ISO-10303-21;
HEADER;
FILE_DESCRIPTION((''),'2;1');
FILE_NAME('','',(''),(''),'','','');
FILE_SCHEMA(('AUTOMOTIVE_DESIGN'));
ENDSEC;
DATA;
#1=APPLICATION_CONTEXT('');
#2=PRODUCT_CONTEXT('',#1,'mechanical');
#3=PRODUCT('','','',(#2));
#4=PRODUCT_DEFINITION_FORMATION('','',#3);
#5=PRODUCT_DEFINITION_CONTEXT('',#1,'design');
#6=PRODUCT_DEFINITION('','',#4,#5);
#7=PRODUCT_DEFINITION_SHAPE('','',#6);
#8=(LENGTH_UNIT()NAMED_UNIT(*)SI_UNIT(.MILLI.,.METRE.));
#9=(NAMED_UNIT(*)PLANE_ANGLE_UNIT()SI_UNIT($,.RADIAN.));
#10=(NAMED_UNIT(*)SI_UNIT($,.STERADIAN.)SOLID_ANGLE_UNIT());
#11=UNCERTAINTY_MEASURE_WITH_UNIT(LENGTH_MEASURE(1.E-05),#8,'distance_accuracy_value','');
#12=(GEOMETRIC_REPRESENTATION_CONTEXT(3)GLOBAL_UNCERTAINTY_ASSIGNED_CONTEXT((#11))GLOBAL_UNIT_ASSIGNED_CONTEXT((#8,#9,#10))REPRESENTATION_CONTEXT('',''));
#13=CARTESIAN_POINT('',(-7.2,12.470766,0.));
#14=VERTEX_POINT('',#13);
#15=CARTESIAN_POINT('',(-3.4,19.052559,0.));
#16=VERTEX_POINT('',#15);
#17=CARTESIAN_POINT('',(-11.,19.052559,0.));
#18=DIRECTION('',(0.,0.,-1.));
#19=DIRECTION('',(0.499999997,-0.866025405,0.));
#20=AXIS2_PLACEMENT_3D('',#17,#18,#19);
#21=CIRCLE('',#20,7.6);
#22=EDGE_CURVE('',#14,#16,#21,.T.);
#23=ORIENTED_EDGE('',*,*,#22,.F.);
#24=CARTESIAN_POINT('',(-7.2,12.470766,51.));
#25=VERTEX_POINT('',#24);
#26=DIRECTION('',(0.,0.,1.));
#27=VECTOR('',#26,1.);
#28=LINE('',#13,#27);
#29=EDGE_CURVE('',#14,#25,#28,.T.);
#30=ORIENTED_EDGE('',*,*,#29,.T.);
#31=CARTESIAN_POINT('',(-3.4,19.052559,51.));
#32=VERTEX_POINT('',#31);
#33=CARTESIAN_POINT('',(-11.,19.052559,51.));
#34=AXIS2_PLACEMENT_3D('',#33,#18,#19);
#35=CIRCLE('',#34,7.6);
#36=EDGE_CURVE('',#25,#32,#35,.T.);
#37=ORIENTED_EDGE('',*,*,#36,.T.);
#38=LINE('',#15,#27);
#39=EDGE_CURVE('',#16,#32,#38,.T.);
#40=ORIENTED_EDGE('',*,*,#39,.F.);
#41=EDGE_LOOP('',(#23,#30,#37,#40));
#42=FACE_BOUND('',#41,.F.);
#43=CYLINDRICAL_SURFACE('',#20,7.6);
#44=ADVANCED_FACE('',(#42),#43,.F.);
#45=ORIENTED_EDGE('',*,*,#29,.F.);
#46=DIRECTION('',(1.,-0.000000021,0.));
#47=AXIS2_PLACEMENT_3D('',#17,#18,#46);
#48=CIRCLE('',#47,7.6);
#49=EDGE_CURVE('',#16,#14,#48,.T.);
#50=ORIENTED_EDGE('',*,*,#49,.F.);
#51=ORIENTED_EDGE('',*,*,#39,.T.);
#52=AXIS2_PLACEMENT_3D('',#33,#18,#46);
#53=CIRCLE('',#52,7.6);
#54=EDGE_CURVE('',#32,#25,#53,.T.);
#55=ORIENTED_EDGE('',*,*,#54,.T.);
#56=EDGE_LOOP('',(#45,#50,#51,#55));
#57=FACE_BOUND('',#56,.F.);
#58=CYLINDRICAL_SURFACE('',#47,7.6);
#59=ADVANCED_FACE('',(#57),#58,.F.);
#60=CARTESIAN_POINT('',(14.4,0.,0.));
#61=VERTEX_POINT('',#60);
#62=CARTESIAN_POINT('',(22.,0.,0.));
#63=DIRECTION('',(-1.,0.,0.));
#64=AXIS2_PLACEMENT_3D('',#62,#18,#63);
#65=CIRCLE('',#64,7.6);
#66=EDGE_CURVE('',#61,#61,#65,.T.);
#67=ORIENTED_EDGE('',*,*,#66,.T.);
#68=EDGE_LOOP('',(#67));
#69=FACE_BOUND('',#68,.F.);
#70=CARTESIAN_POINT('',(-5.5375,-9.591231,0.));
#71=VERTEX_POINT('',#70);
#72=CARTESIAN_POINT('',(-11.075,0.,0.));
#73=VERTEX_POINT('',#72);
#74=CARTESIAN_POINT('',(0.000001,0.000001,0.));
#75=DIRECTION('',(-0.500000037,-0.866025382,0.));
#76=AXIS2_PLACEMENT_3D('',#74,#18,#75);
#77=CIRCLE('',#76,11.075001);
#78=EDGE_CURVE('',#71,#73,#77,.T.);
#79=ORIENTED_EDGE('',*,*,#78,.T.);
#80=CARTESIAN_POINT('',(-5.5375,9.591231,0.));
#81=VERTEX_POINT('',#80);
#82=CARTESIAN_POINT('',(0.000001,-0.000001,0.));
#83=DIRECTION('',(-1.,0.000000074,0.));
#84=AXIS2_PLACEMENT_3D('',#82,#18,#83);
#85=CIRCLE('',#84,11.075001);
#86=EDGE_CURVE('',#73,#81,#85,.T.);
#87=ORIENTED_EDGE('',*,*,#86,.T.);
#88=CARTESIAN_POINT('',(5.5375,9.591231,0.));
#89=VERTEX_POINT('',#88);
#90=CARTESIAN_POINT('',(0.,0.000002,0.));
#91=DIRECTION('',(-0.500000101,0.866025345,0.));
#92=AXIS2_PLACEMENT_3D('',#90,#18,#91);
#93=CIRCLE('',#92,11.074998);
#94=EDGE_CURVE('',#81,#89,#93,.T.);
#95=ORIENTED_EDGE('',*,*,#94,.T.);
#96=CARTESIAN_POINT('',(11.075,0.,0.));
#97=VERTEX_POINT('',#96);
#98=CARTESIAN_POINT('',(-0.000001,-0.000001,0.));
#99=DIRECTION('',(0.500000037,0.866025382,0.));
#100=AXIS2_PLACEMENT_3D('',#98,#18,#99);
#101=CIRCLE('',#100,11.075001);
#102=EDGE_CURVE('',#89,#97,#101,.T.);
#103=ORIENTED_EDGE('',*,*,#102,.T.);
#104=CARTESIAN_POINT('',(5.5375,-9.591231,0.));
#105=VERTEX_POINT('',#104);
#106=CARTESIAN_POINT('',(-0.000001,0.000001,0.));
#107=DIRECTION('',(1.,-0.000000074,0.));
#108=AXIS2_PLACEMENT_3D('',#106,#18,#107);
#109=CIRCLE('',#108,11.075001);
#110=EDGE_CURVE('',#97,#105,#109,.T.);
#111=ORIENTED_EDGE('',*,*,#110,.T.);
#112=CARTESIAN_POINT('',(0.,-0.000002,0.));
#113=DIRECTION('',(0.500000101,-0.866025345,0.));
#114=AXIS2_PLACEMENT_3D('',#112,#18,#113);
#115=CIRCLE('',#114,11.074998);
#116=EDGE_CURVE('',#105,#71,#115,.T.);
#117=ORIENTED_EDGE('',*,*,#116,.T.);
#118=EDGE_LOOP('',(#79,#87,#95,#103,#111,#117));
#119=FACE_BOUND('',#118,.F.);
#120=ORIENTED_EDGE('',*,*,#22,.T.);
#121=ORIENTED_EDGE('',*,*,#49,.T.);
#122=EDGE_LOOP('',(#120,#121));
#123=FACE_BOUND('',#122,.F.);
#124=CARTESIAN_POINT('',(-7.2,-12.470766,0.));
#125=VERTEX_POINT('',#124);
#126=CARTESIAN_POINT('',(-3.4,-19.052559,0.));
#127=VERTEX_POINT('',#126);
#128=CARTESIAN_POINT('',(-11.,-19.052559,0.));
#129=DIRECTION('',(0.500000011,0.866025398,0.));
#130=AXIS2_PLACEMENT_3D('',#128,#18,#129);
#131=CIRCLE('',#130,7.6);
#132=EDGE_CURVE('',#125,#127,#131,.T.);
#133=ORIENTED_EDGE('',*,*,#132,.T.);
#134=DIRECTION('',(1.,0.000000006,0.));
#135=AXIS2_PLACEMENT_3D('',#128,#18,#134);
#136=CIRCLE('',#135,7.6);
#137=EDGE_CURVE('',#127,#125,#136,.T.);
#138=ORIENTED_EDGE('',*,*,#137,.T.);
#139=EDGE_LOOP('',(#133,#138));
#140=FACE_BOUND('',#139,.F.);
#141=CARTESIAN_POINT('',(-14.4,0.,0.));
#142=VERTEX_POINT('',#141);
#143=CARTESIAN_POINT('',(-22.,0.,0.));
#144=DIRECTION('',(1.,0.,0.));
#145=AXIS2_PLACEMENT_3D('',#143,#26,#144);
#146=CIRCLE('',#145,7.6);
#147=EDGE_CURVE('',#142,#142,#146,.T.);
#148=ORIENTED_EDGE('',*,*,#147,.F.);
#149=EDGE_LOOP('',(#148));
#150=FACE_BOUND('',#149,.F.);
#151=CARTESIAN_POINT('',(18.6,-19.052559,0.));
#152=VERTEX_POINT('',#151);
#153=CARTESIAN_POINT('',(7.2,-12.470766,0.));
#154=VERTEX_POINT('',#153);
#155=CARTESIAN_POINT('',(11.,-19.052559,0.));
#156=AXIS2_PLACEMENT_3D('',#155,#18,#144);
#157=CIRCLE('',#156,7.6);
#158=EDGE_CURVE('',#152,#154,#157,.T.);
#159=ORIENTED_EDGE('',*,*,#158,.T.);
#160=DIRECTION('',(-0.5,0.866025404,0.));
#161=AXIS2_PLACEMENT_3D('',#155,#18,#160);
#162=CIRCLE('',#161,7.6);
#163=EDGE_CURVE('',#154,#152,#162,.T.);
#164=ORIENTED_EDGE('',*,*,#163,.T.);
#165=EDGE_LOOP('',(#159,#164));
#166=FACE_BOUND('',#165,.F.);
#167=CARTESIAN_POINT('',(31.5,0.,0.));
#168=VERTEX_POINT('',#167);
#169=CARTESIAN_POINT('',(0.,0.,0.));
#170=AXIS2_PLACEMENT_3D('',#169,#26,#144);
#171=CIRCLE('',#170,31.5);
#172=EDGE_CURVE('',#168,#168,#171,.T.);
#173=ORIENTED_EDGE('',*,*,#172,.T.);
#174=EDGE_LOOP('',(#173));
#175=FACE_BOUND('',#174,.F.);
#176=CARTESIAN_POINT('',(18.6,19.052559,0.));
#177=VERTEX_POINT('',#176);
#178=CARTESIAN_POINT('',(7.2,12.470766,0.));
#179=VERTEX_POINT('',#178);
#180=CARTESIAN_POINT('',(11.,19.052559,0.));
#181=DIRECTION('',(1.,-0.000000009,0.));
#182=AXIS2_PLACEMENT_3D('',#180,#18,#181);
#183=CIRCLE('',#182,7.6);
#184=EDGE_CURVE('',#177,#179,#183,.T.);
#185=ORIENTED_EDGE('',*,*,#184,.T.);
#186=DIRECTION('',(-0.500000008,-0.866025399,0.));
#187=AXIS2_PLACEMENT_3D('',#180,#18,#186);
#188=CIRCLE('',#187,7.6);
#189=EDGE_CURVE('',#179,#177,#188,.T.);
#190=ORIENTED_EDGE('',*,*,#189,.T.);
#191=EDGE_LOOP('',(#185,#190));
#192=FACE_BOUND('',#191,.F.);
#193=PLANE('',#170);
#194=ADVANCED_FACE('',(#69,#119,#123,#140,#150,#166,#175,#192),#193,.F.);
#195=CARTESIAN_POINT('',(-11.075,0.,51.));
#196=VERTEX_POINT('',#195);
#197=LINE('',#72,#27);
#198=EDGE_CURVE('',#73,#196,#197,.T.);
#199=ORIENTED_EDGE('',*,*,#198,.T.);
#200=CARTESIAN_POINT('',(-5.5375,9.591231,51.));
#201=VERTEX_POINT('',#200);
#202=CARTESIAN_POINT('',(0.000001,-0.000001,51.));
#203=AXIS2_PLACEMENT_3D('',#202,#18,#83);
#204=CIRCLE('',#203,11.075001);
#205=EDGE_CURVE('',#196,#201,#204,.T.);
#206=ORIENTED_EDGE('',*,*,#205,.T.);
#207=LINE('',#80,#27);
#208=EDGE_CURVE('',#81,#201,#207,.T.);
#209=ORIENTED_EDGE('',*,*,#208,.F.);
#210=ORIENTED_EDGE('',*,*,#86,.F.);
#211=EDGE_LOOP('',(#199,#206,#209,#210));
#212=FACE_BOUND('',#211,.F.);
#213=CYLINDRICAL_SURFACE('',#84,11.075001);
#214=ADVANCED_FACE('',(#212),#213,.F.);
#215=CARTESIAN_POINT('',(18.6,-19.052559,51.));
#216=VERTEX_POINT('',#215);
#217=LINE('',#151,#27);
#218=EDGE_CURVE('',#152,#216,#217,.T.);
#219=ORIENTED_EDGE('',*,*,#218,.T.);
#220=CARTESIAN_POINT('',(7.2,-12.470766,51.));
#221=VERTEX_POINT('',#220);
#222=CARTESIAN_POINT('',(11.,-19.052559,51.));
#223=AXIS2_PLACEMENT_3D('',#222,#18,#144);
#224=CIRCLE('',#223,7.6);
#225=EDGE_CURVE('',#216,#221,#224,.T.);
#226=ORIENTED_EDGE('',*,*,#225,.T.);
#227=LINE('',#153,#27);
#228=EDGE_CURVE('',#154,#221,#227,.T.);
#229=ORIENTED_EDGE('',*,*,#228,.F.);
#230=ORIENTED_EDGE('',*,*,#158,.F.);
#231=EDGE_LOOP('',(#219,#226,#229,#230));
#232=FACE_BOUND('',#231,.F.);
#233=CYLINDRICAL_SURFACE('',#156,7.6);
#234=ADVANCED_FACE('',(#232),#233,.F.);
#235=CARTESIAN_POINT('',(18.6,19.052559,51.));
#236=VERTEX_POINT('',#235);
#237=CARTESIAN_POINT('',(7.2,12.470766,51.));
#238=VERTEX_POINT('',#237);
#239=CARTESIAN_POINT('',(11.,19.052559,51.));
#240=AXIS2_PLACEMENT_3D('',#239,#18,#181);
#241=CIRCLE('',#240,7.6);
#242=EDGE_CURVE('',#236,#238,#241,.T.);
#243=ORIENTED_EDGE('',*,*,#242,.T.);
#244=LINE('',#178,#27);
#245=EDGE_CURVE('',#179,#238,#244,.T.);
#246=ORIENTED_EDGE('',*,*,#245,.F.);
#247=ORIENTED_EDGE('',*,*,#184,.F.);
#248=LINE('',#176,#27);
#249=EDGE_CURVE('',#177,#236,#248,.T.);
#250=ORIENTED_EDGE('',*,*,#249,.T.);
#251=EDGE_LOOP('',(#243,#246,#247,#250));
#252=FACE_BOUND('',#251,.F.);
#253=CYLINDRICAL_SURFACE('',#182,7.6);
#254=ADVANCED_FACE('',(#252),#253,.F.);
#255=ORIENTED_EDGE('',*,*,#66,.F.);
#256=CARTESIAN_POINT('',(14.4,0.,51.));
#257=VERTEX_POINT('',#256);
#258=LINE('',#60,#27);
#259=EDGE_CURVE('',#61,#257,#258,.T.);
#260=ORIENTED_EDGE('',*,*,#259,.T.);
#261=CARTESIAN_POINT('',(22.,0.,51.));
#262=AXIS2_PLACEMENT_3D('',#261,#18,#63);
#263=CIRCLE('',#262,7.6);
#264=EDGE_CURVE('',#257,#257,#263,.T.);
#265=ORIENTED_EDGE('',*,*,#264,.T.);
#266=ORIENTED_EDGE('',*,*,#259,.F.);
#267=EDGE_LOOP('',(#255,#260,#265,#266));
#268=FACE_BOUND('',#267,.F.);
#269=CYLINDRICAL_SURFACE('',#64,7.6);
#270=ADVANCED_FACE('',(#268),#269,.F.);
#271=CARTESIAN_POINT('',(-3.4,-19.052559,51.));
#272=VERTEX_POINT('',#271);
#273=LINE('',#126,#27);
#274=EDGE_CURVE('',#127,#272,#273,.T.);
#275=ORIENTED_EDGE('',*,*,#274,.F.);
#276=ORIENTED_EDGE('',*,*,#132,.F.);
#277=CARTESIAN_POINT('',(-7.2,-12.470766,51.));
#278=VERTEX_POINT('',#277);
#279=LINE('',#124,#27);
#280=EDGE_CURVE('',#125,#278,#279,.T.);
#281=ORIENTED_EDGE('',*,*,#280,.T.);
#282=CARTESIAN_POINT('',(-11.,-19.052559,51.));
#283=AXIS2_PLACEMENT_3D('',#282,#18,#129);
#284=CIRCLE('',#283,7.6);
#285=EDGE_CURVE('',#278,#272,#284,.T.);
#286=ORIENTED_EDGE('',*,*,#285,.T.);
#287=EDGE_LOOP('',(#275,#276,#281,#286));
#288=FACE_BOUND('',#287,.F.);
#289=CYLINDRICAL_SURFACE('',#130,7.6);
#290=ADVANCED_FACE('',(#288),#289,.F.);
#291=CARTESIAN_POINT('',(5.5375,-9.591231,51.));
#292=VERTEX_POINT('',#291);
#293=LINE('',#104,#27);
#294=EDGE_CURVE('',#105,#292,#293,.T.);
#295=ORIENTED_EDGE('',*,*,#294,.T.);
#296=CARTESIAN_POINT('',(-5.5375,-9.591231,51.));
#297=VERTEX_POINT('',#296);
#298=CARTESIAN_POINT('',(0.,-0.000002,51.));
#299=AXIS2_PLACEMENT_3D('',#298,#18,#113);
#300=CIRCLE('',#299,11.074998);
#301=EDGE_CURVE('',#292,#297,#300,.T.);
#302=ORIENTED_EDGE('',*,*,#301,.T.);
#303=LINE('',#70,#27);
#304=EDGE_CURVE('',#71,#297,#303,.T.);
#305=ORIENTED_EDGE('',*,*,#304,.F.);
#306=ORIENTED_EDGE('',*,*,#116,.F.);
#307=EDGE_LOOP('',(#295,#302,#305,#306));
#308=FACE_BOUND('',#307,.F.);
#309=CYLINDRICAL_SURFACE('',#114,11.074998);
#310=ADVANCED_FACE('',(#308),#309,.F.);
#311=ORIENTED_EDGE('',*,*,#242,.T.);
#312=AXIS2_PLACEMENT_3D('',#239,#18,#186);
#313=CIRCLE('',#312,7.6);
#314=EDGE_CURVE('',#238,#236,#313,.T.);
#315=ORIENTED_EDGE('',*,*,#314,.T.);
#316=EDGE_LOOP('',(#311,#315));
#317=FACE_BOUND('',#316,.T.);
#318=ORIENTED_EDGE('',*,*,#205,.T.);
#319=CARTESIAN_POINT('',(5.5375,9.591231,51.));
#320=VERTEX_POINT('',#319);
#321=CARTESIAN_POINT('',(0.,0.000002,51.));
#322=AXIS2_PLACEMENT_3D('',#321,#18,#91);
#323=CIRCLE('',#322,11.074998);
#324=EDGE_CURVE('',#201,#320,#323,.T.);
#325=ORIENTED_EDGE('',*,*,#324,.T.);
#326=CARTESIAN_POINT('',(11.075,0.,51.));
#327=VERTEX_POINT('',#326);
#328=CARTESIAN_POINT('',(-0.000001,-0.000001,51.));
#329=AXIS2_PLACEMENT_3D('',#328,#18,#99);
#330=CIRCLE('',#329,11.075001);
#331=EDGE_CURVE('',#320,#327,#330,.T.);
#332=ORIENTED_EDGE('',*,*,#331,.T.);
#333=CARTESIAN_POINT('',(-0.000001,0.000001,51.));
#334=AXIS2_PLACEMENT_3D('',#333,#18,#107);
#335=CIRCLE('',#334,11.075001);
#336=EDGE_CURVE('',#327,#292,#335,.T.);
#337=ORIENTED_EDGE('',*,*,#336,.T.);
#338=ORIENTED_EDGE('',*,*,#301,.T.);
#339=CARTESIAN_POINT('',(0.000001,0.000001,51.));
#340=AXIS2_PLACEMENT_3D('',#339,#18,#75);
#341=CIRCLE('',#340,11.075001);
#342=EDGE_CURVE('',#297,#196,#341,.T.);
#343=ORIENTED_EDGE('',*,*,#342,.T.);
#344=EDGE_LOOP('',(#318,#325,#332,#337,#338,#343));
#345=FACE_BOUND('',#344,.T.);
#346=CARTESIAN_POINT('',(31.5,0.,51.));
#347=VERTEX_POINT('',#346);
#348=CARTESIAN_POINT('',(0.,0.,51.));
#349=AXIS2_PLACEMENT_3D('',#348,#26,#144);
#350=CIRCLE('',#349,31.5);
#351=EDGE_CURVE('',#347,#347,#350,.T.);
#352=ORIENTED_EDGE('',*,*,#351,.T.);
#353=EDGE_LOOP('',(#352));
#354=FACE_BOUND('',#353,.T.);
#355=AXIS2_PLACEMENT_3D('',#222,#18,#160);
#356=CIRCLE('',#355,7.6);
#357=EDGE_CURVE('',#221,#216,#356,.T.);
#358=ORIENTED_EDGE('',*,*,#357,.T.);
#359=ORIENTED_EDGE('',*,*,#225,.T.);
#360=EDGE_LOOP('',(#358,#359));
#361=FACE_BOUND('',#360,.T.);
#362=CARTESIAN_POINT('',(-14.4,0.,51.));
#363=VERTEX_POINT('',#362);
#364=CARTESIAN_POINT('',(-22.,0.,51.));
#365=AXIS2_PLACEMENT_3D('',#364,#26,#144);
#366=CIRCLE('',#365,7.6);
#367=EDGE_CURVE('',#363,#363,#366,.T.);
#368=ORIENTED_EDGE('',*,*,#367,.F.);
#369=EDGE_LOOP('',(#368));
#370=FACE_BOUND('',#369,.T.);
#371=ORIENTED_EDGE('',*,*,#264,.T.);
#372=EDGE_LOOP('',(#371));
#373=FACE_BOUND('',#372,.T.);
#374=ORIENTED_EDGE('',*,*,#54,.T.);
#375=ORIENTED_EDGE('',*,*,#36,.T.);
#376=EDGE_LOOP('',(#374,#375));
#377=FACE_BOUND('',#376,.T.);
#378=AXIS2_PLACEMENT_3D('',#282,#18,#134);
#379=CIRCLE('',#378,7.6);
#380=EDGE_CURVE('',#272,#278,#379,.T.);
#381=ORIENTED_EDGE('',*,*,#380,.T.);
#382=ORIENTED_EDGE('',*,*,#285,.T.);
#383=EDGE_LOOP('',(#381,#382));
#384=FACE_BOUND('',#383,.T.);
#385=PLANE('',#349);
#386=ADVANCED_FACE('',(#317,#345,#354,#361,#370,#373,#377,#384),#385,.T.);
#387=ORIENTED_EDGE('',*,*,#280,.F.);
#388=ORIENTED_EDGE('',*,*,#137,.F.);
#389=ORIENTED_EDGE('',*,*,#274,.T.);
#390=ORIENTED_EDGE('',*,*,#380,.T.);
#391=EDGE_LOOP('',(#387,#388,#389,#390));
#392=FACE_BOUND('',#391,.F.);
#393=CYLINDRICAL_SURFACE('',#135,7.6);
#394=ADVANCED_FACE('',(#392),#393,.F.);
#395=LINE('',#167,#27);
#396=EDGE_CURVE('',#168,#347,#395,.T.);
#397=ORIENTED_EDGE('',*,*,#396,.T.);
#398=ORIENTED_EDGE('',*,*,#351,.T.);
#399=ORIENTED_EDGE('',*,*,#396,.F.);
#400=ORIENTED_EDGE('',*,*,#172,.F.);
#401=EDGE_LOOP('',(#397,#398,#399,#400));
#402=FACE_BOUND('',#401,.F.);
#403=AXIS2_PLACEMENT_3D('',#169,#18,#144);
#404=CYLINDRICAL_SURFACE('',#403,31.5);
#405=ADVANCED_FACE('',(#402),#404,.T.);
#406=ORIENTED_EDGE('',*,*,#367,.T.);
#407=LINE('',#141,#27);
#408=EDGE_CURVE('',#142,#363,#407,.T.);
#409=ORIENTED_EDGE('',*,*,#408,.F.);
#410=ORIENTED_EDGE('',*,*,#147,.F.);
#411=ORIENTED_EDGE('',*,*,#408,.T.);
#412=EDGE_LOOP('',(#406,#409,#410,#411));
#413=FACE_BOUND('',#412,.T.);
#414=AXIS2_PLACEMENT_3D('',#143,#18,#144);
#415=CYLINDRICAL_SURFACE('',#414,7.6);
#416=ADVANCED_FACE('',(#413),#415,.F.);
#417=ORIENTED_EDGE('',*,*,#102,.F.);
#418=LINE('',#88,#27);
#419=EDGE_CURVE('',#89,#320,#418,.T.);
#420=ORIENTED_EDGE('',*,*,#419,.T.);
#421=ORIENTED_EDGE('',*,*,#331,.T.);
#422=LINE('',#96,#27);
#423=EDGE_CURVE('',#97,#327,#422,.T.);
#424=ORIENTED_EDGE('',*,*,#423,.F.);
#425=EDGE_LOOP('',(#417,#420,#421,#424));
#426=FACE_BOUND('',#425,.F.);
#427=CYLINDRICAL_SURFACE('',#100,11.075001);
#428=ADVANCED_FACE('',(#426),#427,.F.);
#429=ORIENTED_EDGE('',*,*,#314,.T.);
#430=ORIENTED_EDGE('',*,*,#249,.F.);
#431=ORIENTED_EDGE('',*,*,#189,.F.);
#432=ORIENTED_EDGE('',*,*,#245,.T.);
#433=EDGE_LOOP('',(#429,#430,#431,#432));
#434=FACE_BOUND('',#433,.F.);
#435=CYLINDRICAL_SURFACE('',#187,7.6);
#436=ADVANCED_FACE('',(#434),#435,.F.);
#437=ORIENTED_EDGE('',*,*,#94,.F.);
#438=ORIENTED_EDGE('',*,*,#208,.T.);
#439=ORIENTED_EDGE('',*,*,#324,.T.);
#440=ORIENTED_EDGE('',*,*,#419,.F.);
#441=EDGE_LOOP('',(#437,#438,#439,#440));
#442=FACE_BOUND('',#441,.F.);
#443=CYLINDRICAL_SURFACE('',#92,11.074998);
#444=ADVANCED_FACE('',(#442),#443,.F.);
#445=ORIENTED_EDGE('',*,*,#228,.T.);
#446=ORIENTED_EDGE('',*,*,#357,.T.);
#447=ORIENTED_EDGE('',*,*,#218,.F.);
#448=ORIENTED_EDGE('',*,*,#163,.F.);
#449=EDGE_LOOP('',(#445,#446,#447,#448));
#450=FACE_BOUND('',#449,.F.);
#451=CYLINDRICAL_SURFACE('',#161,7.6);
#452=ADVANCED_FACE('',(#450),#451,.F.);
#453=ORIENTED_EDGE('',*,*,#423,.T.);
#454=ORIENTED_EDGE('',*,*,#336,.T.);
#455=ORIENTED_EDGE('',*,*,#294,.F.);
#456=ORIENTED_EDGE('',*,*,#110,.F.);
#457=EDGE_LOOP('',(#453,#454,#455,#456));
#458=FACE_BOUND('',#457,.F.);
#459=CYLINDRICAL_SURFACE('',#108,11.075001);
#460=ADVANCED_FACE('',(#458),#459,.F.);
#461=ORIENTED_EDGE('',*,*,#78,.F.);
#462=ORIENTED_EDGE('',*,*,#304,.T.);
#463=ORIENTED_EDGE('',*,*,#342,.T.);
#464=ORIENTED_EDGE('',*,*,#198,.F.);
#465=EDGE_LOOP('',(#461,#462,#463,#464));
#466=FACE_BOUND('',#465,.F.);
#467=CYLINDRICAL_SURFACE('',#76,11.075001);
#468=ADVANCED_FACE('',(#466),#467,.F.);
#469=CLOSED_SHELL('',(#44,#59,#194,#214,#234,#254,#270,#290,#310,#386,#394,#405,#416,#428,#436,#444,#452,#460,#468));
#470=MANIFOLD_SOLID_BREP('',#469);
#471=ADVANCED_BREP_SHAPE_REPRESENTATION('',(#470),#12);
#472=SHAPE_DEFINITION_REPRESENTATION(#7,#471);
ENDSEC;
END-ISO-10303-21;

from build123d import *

# Parameters (mm, degrees)
F0_R     = 31.5
F0_R_2   = 7.6
F1_DEPTH = 51


with BuildPart() as f1:
    # F0 (on Top) → F1 (new body)
    with BuildSketch(Plane.XY):
        Circle(F0_R)
        with BuildLine():
            ThreePointArc((-3.4, -19.052559), (-17.581793, -22.852559), (-7.2, -12.470766))
            ThreePointArc((-7.2, -12.470766), (-4.418207, -15.252559), (-3.4, -19.052559))
        make_face(mode=Mode.SUBTRACT)
        with BuildLine():
            ThreePointArc((18.6, -19.052559), (7.2, -25.634352), (7.2, -12.470766))
            ThreePointArc((7.2, -12.470766), (14.8, -12.470766), (18.6, -19.052559))
        make_face(mode=Mode.SUBTRACT)
        with Locations((-22, 0)):
            Circle(F0_R_2, mode=Mode.SUBTRACT)
        with BuildLine():
            ThreePointArc((-3.4, 19.052559), (-4.418207, 15.252559), (-7.2, 12.470766))
            ThreePointArc((-7.2, 12.470766), (-17.581793, 22.852559), (-3.4, 19.052559))
        make_face(mode=Mode.SUBTRACT)
        with BuildLine():
            ThreePointArc((5.5375, 9.591231), (9.591231, 5.5375), (11.075, 0))
            ThreePointArc((11.075, 0), (9.591231, -5.5375), (5.5375, -9.591231))
            ThreePointArc((5.5375, -9.591231), (0, -11.075), (-5.5375, -9.591231))
            ThreePointArc((-5.5375, -9.591231), (-9.591231, -5.5375), (-11.075, 0))
            ThreePointArc((-11.075, 0), (-9.591231, 5.5375), (-5.5375, 9.591231))
            ThreePointArc((-5.5375, 9.591231), (0, 11.075), (5.5375, 9.591231))
        make_face(mode=Mode.SUBTRACT)
        with BuildLine():
            ThreePointArc((29.6, 0), (22, -7.6), (14.4, 0))
            ThreePointArc((14.4, 0), (22, 7.6), (29.6, 0))
        make_face(mode=Mode.SUBTRACT)
        with BuildLine():
            ThreePointArc((18.6, 19.052559), (14.8, 12.470766), (7.2, 12.470766))
            ThreePointArc((7.2, 12.470766), (7.2, 25.634352), (18.6, 19.052559))
        make_face(mode=Mode.SUBTRACT)
    extrude(amount=F1_DEPTH)


solid = f1.part
